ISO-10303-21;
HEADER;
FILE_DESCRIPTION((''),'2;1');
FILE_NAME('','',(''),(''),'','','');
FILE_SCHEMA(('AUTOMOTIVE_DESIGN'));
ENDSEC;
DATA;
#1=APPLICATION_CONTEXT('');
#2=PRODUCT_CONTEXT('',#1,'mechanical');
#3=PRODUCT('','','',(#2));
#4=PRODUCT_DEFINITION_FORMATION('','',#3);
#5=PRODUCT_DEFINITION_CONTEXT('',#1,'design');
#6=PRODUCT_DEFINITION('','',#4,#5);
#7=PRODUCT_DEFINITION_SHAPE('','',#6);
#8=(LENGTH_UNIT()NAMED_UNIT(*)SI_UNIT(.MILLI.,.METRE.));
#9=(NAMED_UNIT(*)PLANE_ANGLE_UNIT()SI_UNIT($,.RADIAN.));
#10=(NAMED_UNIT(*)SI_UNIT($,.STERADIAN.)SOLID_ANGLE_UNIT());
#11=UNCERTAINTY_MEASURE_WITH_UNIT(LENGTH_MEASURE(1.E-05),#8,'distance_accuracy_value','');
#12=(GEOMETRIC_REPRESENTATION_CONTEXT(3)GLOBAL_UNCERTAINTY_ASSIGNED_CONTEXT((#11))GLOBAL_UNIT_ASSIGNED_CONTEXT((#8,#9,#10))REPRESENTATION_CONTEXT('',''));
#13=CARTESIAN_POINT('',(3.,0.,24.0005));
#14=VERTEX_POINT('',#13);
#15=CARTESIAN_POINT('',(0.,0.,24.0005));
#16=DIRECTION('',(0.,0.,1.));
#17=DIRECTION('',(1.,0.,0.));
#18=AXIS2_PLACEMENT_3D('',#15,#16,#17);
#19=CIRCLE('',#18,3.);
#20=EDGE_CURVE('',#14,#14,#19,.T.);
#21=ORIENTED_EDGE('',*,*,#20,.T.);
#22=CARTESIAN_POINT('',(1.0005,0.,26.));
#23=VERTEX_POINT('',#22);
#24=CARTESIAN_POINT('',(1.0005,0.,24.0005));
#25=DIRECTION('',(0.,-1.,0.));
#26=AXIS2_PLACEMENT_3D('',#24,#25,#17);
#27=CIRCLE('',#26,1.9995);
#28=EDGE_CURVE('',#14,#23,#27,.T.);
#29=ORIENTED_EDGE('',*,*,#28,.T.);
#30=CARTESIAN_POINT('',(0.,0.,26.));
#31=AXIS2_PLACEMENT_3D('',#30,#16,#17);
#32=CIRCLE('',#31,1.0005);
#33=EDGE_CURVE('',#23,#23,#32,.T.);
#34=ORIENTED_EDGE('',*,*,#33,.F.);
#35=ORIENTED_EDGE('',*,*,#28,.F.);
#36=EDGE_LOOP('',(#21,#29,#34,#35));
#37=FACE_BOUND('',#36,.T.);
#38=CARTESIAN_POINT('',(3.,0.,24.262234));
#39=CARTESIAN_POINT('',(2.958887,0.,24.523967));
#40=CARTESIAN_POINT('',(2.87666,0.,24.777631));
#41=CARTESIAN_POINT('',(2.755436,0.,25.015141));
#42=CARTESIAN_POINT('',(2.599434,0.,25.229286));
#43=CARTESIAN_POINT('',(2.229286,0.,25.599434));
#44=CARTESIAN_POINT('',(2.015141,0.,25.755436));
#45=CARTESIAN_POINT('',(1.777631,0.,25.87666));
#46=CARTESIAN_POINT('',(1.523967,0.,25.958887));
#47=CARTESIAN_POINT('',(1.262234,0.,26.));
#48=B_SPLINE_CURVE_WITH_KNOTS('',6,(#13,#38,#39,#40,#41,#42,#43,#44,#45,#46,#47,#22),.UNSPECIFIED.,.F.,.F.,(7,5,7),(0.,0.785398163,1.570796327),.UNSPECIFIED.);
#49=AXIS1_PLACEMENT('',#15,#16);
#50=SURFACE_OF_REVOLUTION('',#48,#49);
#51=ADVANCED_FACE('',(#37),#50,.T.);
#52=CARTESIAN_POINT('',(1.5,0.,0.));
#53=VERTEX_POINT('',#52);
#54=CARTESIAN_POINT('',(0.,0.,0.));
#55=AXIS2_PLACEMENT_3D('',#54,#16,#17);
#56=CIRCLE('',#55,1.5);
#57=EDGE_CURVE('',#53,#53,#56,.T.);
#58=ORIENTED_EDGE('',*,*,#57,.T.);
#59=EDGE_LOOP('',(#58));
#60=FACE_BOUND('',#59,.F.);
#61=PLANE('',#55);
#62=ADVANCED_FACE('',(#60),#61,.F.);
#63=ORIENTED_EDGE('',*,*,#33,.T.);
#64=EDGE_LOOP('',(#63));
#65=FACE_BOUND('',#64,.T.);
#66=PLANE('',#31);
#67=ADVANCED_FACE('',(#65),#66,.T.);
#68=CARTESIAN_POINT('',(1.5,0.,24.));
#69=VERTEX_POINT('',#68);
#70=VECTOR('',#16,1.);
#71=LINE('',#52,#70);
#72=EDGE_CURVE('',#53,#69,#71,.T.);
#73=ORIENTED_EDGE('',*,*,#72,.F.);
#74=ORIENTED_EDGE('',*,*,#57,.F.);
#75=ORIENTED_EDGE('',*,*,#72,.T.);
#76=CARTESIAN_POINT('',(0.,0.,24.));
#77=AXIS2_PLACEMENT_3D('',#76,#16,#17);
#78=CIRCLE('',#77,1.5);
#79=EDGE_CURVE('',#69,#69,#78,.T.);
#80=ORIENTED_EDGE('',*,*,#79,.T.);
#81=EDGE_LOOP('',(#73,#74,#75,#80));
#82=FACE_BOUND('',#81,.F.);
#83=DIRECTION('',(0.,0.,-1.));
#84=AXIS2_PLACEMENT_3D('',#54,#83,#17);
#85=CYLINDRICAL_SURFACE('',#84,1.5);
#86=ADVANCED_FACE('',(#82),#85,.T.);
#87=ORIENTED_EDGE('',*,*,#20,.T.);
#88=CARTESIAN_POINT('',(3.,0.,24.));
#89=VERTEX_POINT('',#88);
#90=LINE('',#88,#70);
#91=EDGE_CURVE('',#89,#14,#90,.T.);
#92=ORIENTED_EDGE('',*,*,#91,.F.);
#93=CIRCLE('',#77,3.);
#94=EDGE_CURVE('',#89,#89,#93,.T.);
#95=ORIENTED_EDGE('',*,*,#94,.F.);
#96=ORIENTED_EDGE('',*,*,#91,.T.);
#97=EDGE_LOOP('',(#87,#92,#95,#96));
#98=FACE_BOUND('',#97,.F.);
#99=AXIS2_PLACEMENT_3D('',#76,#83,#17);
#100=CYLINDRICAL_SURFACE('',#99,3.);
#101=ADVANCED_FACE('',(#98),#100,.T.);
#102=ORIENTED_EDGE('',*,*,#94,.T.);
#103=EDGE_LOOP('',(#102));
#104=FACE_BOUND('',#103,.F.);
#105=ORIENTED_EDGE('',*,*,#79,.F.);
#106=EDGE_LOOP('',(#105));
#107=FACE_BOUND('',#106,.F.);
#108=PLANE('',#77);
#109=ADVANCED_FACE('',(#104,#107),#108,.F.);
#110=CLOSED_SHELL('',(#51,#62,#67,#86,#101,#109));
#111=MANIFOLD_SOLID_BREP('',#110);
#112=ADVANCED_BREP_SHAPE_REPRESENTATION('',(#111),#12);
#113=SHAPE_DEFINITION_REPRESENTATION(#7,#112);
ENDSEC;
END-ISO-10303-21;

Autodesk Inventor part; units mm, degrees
ref_plane "YZ Plane" through (0, 0, 0) normal (1, 0, 0) x (0, 1, 0)
ref_plane "XZ Plane" through (0, 0, 0) normal (0, 1, 0) x (-1, 0, 0)
ref_plane "XY Plane" through (0, 0, 0) normal (0, 0, 1) x (1, 0, 0)
sketch "スケッチ1" plane through (0, 0, 0) normal (0, 0, 1) x (1, 0, 0)
  circle A0 centre (0, 0) radius 1.5
  dimension "d0" = 3
extrude "押し出し1" add sketch "スケッチ1" along normal blind 24
sketch "スケッチ2" plane through (0, 0, 24) normal (0, 0, 1) x (1, 0, 0)
  circle A0 centre (0, 0) radius 1.5 projected
  circle A1 centre (0, 0) radius 3
  dimension "d3" = 6
extrude "押し出し2" add sketch "スケッチ2" along normal blind 2 contours A0 | A1
fillet "フィレット1" radius 2 1 edges at (-3, 0, 26)
properties part number "M3ボタンボルト15" material "鋼、高強度、低合金"
